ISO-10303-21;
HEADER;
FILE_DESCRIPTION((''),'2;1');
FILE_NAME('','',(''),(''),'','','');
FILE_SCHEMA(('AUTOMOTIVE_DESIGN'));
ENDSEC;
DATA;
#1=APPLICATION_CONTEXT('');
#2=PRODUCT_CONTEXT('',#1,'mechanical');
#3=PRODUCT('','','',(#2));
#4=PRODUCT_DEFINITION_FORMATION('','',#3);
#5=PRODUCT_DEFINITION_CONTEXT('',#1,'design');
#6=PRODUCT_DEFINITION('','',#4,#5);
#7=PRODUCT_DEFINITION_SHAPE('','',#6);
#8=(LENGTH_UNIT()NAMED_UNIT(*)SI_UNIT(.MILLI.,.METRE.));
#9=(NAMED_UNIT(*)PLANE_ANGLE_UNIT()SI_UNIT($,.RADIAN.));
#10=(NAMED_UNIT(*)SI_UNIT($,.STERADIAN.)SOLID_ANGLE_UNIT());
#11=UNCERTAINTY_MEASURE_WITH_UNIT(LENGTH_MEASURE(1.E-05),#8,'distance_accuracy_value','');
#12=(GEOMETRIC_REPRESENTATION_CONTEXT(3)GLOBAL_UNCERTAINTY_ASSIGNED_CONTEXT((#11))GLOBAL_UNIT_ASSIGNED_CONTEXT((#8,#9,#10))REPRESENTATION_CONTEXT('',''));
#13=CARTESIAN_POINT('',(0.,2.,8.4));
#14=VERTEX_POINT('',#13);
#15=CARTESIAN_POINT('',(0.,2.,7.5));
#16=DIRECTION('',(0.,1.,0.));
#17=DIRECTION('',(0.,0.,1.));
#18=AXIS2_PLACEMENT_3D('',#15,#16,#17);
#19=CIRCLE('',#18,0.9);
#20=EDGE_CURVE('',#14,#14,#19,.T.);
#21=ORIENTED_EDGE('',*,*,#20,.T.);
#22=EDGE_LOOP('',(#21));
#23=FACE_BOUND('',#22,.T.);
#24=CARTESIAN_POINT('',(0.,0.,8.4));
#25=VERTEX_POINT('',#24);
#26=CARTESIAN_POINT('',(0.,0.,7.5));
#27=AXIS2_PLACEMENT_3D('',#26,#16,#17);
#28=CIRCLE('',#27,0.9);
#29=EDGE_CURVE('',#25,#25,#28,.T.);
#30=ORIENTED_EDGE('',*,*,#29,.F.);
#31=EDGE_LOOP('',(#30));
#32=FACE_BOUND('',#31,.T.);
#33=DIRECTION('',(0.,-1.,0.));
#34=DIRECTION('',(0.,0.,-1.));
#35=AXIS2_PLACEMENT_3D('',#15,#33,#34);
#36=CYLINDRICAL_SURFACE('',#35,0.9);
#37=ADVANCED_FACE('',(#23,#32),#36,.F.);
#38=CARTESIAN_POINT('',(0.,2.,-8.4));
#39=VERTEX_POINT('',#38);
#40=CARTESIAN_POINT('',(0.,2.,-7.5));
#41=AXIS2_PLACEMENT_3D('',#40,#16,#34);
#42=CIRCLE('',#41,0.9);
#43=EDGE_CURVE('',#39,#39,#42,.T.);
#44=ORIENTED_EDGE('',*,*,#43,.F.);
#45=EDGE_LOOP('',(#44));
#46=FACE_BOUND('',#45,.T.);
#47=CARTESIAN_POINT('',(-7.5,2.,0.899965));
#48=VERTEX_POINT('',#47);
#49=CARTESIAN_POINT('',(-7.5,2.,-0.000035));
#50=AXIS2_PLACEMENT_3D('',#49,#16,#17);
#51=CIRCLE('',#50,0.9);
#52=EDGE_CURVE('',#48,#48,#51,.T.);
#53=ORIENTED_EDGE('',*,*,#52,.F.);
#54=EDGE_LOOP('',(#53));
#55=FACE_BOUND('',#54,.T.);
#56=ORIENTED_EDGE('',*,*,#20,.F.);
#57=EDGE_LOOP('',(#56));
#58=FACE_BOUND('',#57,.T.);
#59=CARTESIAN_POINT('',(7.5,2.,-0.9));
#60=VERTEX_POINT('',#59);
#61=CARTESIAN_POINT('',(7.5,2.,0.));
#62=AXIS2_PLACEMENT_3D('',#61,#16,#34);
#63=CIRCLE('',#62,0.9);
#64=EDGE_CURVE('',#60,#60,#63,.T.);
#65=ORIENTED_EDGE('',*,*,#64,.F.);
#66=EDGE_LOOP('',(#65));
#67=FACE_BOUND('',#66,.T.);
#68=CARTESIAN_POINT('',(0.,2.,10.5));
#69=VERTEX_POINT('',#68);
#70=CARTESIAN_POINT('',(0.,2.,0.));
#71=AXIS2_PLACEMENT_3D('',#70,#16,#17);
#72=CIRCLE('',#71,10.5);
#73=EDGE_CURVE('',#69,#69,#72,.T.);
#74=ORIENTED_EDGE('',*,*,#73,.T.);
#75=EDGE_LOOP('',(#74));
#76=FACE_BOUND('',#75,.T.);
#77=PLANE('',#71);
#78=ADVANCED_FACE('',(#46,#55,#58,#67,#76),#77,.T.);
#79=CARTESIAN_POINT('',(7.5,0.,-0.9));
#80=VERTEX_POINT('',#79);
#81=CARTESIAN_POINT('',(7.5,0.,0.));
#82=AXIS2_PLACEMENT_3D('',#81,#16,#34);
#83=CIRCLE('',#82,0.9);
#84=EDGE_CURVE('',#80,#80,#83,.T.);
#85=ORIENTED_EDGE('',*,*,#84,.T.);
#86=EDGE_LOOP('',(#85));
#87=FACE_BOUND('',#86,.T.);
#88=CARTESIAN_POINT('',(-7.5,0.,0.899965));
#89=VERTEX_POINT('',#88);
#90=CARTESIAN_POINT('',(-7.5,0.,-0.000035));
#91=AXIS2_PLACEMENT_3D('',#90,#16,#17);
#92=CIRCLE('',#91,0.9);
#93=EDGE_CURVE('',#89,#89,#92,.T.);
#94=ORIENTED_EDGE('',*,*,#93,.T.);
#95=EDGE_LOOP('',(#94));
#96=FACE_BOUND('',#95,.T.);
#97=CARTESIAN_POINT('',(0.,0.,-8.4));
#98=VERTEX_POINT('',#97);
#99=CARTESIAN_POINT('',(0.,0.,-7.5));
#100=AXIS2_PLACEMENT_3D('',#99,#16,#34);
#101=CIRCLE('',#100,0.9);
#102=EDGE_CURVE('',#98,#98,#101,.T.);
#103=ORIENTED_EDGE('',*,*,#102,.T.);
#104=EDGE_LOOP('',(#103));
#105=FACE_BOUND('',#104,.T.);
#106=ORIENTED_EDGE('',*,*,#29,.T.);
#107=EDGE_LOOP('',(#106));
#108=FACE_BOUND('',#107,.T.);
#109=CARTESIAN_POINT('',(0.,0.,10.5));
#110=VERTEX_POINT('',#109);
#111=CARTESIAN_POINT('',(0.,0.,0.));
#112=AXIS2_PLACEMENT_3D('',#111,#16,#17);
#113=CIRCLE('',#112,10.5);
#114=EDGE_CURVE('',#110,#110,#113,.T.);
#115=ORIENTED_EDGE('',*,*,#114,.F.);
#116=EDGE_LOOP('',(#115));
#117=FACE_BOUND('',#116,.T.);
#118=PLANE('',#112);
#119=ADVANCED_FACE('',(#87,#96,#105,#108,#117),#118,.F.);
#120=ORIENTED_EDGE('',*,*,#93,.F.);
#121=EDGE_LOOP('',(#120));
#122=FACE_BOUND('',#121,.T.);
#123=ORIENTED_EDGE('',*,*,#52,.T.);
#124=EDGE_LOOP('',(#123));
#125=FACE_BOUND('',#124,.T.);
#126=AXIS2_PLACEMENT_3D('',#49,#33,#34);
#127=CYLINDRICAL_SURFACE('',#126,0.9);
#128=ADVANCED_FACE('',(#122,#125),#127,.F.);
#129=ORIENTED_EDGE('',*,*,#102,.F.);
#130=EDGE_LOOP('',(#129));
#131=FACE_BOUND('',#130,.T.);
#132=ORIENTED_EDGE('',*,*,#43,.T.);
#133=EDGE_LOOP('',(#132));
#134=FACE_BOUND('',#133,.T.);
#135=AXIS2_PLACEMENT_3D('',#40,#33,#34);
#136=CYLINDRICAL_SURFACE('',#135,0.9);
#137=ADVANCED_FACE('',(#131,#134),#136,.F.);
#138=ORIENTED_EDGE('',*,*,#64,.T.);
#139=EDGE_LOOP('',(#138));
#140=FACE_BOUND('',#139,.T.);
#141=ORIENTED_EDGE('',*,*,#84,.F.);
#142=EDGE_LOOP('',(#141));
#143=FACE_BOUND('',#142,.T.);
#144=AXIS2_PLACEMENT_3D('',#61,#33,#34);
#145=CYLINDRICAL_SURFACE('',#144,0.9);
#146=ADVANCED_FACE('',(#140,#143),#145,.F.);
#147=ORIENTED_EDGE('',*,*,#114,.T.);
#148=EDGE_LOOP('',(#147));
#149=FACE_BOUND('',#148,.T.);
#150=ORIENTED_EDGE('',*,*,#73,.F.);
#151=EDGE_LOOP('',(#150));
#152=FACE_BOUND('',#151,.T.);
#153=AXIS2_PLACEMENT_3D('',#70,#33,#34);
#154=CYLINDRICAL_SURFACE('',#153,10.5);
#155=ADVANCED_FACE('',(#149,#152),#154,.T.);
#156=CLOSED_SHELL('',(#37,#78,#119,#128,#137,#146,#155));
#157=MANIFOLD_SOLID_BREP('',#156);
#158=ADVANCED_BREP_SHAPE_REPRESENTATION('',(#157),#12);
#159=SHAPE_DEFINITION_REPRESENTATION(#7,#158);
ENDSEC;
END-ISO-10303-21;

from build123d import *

# Parameters (mm, degrees)
SKETCH_1_R      = 10.5
SKETCH_1_R_2    = 0.9
EXTRUDE_1_DEPTH = 2


with BuildPart() as part:
    # Эскиз1 → Бобышка-Вытянуть1 (new body)
    with BuildSketch(Plane(origin=(0, 0, 0), x_dir=(1, 0, 0), z_dir=(0, 1, 0))):
        Circle(SKETCH_1_R)
        with Locations((0, -7.5)):
            Circle(SKETCH_1_R_2, mode=Mode.SUBTRACT)
        with Locations((0, 7.5)):
            Circle(SKETCH_1_R_2, mode=Mode.SUBTRACT)
        with Locations((-7.5, 3.4667e-05)):
            Circle(SKETCH_1_R_2, mode=Mode.SUBTRACT)
        with Locations((7.5, 0)):
            Circle(SKETCH_1_R_2, mode=Mode.SUBTRACT)
    extrude(amount=EXTRUDE_1_DEPTH)


solid = part.part
